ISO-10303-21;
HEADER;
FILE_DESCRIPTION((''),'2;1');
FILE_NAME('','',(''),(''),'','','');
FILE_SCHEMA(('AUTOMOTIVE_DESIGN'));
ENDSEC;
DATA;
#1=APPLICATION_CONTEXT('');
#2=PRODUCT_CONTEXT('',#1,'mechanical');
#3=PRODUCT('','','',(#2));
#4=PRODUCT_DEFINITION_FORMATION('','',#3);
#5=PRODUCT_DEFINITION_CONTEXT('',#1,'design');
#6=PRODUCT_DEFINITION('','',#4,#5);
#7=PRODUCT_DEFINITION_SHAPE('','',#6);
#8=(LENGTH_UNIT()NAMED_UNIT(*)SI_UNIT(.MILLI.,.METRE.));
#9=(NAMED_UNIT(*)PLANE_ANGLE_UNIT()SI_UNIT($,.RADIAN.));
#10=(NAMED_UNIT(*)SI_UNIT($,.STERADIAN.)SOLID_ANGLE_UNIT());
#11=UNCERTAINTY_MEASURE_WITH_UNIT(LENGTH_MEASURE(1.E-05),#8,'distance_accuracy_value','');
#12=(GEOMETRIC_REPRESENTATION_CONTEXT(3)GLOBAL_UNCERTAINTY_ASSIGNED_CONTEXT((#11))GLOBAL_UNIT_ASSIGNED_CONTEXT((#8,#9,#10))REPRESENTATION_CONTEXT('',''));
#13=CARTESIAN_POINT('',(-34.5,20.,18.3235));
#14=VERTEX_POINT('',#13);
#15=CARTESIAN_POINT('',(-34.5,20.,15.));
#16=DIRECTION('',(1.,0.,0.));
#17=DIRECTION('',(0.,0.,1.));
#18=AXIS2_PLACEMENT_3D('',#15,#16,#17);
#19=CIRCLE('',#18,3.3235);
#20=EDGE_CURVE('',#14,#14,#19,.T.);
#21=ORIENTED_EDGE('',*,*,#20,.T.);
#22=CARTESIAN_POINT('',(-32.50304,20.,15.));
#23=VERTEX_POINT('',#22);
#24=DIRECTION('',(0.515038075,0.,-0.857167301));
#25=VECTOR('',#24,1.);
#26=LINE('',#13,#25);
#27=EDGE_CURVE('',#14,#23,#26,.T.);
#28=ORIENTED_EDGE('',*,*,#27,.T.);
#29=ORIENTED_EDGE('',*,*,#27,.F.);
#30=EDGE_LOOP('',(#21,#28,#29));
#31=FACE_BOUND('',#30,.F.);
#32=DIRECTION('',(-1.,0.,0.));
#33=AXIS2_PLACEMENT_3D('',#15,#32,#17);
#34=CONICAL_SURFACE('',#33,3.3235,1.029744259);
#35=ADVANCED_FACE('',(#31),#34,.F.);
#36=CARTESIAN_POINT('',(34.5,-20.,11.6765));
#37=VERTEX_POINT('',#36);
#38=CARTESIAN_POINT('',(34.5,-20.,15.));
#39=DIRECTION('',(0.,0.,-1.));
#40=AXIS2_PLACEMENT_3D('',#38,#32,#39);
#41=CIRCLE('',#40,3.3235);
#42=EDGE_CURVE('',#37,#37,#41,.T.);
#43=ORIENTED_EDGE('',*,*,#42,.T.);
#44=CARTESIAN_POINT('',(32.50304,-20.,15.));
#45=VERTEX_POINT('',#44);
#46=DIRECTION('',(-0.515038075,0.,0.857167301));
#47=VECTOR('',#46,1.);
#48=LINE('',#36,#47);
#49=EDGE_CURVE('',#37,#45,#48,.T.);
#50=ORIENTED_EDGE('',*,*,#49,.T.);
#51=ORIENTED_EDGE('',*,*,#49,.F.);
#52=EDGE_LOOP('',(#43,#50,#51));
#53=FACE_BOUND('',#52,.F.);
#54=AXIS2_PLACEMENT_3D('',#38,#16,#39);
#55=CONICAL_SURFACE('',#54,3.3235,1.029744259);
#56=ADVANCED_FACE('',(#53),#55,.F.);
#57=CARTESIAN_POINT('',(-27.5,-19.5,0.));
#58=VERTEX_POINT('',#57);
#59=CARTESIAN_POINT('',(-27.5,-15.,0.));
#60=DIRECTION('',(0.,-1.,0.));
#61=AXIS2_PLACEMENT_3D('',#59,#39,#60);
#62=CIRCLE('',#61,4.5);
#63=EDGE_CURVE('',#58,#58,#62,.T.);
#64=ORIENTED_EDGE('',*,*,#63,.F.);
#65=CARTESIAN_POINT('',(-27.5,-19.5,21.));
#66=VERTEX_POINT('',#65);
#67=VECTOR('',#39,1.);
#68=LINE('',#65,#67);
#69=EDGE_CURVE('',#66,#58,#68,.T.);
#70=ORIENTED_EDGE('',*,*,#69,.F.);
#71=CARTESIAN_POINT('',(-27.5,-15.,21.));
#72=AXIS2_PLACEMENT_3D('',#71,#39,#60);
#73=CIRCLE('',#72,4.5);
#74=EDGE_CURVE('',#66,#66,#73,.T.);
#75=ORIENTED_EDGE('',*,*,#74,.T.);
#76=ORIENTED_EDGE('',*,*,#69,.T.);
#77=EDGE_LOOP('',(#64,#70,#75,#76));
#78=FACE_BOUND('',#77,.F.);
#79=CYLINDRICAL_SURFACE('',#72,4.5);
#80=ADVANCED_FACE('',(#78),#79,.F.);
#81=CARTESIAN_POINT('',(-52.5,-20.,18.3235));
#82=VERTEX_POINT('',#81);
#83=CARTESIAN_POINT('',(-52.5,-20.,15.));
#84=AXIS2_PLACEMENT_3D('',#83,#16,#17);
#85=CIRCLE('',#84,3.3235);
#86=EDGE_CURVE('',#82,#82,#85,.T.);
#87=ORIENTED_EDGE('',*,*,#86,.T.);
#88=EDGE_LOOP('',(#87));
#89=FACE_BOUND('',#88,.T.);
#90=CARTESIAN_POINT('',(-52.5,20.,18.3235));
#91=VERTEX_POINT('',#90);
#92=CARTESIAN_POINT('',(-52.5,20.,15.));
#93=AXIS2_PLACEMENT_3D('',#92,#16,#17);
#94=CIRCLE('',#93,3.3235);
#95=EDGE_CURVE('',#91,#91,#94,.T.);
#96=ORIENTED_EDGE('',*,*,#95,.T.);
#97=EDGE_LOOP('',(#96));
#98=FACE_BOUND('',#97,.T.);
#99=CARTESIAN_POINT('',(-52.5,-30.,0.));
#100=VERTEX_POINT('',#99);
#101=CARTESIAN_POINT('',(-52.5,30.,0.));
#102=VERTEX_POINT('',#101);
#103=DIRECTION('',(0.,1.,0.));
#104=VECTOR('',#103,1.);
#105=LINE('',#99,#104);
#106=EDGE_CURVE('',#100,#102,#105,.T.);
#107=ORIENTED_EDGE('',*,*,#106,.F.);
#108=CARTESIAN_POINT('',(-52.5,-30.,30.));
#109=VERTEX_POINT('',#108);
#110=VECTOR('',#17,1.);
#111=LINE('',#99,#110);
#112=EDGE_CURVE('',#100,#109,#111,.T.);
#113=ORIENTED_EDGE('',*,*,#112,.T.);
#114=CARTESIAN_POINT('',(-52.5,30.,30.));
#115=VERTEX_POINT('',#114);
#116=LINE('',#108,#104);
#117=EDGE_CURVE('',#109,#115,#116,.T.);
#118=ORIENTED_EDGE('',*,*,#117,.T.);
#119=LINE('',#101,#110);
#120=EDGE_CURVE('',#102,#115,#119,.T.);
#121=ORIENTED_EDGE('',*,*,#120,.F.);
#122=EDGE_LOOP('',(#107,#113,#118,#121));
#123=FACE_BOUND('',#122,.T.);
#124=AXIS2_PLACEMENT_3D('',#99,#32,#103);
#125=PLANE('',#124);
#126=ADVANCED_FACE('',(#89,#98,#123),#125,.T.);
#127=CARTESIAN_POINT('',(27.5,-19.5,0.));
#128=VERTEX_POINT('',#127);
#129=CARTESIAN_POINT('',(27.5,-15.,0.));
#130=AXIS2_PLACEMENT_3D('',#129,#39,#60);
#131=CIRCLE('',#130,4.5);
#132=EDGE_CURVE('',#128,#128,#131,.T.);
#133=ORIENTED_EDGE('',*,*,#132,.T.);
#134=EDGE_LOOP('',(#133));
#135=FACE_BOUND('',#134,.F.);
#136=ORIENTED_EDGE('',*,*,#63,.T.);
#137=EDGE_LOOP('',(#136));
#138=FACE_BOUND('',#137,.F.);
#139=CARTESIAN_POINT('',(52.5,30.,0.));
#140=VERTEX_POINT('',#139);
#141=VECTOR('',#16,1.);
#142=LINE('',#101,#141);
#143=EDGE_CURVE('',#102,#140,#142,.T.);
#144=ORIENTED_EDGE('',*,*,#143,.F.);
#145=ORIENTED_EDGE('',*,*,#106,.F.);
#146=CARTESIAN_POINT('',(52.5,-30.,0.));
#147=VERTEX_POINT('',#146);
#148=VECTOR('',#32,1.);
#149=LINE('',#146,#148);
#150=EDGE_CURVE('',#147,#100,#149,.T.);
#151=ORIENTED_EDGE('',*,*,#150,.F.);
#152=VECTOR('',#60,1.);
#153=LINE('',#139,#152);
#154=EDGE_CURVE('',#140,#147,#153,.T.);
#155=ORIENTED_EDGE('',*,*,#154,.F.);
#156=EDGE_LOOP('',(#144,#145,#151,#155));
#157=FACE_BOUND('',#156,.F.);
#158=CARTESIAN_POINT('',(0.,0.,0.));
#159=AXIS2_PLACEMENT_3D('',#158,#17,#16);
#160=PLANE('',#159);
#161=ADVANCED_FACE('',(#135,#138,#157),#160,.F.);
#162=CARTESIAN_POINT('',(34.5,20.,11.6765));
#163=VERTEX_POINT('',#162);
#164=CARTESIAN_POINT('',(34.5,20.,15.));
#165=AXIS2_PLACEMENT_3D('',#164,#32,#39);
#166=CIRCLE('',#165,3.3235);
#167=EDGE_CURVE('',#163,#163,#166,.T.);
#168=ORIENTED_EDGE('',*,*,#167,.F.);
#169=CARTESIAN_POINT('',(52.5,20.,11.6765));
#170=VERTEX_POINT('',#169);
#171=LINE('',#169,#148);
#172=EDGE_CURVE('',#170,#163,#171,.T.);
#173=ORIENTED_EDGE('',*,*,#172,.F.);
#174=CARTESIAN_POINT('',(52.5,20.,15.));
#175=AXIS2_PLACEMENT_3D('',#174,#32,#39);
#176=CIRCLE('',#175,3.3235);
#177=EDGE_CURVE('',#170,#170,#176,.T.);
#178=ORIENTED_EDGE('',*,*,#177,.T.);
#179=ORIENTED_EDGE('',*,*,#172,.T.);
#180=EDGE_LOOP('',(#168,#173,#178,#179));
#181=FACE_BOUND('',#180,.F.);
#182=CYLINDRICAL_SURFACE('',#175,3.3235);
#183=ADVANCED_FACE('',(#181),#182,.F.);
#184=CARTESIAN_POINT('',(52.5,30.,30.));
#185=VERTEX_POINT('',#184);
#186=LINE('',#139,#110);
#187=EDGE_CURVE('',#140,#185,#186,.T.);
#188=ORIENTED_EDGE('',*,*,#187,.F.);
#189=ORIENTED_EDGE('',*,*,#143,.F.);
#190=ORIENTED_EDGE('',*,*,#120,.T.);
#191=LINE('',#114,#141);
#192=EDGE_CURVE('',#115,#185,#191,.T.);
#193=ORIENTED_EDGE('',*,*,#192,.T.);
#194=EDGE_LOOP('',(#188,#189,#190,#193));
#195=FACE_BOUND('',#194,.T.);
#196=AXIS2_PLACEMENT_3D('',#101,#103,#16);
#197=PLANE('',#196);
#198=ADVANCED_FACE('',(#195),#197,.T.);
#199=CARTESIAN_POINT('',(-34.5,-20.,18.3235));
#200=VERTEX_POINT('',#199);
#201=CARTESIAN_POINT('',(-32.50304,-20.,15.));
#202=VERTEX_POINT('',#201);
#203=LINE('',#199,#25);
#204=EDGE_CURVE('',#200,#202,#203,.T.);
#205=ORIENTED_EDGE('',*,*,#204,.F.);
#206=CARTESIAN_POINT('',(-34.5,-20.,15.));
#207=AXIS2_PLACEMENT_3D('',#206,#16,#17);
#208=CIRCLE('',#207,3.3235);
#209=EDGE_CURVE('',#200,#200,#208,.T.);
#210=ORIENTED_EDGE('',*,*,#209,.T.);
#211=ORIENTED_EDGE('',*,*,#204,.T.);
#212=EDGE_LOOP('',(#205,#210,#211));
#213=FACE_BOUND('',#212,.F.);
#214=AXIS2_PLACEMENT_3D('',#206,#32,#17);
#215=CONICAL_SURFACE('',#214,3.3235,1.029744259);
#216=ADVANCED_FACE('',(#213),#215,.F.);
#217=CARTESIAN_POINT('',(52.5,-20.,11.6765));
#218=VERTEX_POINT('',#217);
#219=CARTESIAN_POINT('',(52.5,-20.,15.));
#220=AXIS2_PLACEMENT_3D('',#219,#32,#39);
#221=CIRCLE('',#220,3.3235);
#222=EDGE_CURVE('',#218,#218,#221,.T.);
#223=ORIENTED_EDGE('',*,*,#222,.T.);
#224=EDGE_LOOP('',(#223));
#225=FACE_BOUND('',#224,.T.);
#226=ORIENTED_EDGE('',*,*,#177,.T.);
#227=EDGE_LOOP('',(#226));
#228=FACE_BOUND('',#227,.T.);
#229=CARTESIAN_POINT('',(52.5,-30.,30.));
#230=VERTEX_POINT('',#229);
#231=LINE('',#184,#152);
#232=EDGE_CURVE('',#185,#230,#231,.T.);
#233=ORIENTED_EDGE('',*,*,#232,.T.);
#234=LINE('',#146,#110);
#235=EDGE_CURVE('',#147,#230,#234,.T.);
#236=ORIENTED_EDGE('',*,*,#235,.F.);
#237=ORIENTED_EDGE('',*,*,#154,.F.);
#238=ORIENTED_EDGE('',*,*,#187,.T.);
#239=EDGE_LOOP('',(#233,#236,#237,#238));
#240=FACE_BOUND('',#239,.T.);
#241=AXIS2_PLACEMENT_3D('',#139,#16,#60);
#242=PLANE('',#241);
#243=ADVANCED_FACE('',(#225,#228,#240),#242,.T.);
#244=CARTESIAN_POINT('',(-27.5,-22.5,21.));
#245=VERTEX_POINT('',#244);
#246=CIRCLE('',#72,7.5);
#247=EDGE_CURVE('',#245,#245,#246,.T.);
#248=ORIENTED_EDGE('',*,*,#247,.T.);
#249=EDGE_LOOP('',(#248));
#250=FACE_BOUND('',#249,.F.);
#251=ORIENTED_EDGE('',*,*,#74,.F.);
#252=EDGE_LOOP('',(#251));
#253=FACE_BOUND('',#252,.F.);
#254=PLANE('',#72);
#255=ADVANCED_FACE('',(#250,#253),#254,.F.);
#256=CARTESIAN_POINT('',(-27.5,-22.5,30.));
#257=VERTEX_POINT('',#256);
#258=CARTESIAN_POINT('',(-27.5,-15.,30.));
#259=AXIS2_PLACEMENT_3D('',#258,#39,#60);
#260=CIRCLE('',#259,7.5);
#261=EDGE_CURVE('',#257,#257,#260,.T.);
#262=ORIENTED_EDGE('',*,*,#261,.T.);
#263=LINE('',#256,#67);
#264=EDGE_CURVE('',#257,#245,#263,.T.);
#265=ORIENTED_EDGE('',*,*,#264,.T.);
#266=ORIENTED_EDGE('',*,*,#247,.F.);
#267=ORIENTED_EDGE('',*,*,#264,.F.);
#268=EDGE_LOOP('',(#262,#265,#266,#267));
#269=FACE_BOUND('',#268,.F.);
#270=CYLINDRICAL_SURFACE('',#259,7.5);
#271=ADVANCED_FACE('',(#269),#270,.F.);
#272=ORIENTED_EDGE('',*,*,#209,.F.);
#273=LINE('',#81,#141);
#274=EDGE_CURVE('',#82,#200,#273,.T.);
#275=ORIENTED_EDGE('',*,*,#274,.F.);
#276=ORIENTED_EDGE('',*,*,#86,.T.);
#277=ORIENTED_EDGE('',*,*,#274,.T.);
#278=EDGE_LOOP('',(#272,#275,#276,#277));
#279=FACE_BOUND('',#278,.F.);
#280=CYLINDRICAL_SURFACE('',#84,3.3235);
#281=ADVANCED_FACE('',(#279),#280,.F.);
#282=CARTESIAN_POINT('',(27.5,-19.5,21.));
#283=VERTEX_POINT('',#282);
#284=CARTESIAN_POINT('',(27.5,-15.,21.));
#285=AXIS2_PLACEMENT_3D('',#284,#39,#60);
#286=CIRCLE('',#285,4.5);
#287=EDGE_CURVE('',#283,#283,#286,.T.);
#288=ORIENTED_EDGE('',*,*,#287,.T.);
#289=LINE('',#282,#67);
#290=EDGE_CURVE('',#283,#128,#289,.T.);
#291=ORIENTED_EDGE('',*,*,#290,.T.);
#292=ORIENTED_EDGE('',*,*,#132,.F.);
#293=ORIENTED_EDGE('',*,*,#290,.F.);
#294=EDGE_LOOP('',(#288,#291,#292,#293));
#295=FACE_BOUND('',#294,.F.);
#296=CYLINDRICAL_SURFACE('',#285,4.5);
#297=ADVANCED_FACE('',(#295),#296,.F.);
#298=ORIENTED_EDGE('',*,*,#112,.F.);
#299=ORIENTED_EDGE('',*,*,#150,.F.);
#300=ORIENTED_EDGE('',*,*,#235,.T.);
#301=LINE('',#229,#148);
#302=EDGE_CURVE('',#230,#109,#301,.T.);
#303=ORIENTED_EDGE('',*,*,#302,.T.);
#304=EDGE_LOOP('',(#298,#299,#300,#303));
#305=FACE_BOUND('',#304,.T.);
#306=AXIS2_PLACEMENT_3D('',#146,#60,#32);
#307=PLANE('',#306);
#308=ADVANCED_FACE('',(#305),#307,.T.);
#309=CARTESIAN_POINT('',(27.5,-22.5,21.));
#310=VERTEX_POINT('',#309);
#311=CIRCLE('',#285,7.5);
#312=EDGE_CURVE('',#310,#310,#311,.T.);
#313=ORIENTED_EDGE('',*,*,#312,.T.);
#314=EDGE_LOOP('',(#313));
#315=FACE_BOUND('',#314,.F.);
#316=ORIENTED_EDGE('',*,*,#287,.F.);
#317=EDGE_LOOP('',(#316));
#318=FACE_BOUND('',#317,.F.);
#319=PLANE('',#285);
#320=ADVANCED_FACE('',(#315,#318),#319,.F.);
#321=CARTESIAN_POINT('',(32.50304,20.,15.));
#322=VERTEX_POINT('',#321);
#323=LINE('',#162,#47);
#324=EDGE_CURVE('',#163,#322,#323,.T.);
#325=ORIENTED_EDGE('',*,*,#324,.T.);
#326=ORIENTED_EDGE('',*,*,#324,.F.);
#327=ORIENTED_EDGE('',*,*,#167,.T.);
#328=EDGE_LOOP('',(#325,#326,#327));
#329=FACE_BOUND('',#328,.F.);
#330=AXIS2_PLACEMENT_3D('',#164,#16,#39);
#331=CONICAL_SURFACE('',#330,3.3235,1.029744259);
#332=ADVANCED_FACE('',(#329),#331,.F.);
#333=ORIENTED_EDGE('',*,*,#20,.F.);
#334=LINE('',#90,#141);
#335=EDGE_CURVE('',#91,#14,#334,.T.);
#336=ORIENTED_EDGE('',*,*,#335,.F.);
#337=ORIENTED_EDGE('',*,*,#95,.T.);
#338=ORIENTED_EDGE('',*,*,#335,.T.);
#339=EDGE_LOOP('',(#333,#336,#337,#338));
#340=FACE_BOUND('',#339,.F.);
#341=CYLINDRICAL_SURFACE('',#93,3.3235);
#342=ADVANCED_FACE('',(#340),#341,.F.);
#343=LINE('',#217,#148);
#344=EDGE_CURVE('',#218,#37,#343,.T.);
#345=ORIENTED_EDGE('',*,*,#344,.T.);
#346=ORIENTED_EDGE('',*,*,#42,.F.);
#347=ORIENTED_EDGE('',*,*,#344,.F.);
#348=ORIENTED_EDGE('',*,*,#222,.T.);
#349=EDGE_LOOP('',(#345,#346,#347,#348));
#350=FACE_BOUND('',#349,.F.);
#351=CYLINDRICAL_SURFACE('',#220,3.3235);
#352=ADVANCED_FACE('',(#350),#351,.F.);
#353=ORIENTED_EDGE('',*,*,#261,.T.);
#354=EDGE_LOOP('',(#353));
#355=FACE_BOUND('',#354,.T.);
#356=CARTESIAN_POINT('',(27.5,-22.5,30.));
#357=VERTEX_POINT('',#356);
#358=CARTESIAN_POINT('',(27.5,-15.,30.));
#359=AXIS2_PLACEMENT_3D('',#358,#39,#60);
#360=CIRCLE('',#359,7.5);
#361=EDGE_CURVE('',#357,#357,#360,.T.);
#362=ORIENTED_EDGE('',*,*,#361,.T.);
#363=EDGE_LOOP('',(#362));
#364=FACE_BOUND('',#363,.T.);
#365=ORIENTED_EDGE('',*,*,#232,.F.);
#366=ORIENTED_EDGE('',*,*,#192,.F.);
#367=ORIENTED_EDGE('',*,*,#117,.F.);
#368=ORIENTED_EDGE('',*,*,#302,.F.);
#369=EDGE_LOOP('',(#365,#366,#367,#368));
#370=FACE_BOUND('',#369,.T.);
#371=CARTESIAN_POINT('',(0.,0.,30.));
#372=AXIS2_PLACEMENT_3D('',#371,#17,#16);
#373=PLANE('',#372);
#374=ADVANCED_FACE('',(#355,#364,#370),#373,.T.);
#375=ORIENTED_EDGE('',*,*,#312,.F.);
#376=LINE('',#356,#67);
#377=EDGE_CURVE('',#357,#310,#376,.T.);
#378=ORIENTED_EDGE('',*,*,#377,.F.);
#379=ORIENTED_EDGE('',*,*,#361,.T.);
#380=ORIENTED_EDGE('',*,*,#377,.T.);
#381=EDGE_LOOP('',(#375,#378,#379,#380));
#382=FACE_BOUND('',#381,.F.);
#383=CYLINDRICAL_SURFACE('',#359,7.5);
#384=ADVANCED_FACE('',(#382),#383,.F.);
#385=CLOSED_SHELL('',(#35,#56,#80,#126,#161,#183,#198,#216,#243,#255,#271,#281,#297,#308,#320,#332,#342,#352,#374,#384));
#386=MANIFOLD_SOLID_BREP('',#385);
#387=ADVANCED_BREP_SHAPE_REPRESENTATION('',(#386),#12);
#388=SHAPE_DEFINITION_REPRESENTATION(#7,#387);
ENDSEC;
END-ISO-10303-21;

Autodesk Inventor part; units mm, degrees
ref_plane "YZ Plane" through (0, 0, 0) normal (1, 0, 0) x (0, 1, 0)
ref_plane "XZ Plane" through (0, 0, 0) normal (0, 1, 0) x (-1, 0, 0)
ref_plane "XY Plane" through (0, 0, 0) normal (0, 0, 1) x (1, 0, 0)
sketch "Sketch5" plane through (0, 0, 0) normal (0, 0, 1) x (1, 0, 0)
  line L0 (-52.5, 30) -> (52.5, 30)
  line L1 (52.5, 30) -> (52.5, -30)
  line L2 (52.5, -30) -> (-52.5, -30)
  line L3 (-52.5, -30) -> (-52.5, 30)
  point P0 (0, 0)
  point P1 (0, 30)
  point P2 (52.5, 0)
  dimension "d8" = 60
  dimension "d9" = 105
extrude "Extrusion5" add sketch "Sketch5" along normal blind 30
sketch "Sketch6" plane through (0, 0, 30) normal (0, 0, 1) x (1, 0, 0)
  circle A0 centre (-27.5, -15) radius 4
  circle A1 centre (27.5, -15) radius 4
  line L0 (-52.5, -30) -> (52.5, -30) projected
  point P0 (0, 0)
  dimension "d12" = 55
  dimension "d13" = 27.5
  dimension "d14" = 8
  dimension "d39" = 15
hole "Hole1" at (-27.5, -15, 30) at (27.5, -15, 30) direction (0, 0, -1) diameter 9 end through all counterbore diameter 15 counterbore depth 9 clearance for "Socket Head Cap Screw DIN EN ISO 4762" size "M8" standard "DIN"
sketch "Sketch7" plane through (-52.5, -30, 0) normal (-1, 0, 0) x (0, 0, 1)
  line L0 (0, 0) -> (30, 0) projected
  line L1 (0, 60) -> (30, 60) projected
  circle A0 centre (15, 50) radius 4
  circle A1 centre (15, 10) radius 4
  point P0 (0, 30)
  point P1 (15, 60)
  point P2 (15, 0)
  dimension "d22" = 40
  dimension "d23" = 20
  dimension "d24" = 8
hole "Hole2" at (-52.5, 20, 15) at (-52.5, -20, 15) direction (1, 0, 0) diameter 6.647 depth 18 tip angle 118 thread size "M8x1.25" class "6H" standard "ISO Metric profile"
sketch "Sketch8" plane through (52.5, -30, 0) normal (1, 0, 0) x (0, 0, -1)
  circle A0 centre (-15, 10) radius 3.3235
  circle A1 centre (-15, 50) radius 3.3235
  circle A2 centre (-15, 10) radius 3.3235 projected
  circle A3 centre (-15, 50) radius 3.3235 projected
  point P0 (0, 30)
hole "Hole3" at (52.5, -20, 15) at (52.5, 20, 15) direction (-1, 0, 0) diameter 6.647 depth 18 tip angle 118 thread size "M8x1.25" class "6H" standard "ISO Metric profile"
equation "\"d13\" = 0.5 * d12"
equation "\"d23\" = 0.5 * d22"
properties part number "BC-10012" material "Alumínio 7075"
